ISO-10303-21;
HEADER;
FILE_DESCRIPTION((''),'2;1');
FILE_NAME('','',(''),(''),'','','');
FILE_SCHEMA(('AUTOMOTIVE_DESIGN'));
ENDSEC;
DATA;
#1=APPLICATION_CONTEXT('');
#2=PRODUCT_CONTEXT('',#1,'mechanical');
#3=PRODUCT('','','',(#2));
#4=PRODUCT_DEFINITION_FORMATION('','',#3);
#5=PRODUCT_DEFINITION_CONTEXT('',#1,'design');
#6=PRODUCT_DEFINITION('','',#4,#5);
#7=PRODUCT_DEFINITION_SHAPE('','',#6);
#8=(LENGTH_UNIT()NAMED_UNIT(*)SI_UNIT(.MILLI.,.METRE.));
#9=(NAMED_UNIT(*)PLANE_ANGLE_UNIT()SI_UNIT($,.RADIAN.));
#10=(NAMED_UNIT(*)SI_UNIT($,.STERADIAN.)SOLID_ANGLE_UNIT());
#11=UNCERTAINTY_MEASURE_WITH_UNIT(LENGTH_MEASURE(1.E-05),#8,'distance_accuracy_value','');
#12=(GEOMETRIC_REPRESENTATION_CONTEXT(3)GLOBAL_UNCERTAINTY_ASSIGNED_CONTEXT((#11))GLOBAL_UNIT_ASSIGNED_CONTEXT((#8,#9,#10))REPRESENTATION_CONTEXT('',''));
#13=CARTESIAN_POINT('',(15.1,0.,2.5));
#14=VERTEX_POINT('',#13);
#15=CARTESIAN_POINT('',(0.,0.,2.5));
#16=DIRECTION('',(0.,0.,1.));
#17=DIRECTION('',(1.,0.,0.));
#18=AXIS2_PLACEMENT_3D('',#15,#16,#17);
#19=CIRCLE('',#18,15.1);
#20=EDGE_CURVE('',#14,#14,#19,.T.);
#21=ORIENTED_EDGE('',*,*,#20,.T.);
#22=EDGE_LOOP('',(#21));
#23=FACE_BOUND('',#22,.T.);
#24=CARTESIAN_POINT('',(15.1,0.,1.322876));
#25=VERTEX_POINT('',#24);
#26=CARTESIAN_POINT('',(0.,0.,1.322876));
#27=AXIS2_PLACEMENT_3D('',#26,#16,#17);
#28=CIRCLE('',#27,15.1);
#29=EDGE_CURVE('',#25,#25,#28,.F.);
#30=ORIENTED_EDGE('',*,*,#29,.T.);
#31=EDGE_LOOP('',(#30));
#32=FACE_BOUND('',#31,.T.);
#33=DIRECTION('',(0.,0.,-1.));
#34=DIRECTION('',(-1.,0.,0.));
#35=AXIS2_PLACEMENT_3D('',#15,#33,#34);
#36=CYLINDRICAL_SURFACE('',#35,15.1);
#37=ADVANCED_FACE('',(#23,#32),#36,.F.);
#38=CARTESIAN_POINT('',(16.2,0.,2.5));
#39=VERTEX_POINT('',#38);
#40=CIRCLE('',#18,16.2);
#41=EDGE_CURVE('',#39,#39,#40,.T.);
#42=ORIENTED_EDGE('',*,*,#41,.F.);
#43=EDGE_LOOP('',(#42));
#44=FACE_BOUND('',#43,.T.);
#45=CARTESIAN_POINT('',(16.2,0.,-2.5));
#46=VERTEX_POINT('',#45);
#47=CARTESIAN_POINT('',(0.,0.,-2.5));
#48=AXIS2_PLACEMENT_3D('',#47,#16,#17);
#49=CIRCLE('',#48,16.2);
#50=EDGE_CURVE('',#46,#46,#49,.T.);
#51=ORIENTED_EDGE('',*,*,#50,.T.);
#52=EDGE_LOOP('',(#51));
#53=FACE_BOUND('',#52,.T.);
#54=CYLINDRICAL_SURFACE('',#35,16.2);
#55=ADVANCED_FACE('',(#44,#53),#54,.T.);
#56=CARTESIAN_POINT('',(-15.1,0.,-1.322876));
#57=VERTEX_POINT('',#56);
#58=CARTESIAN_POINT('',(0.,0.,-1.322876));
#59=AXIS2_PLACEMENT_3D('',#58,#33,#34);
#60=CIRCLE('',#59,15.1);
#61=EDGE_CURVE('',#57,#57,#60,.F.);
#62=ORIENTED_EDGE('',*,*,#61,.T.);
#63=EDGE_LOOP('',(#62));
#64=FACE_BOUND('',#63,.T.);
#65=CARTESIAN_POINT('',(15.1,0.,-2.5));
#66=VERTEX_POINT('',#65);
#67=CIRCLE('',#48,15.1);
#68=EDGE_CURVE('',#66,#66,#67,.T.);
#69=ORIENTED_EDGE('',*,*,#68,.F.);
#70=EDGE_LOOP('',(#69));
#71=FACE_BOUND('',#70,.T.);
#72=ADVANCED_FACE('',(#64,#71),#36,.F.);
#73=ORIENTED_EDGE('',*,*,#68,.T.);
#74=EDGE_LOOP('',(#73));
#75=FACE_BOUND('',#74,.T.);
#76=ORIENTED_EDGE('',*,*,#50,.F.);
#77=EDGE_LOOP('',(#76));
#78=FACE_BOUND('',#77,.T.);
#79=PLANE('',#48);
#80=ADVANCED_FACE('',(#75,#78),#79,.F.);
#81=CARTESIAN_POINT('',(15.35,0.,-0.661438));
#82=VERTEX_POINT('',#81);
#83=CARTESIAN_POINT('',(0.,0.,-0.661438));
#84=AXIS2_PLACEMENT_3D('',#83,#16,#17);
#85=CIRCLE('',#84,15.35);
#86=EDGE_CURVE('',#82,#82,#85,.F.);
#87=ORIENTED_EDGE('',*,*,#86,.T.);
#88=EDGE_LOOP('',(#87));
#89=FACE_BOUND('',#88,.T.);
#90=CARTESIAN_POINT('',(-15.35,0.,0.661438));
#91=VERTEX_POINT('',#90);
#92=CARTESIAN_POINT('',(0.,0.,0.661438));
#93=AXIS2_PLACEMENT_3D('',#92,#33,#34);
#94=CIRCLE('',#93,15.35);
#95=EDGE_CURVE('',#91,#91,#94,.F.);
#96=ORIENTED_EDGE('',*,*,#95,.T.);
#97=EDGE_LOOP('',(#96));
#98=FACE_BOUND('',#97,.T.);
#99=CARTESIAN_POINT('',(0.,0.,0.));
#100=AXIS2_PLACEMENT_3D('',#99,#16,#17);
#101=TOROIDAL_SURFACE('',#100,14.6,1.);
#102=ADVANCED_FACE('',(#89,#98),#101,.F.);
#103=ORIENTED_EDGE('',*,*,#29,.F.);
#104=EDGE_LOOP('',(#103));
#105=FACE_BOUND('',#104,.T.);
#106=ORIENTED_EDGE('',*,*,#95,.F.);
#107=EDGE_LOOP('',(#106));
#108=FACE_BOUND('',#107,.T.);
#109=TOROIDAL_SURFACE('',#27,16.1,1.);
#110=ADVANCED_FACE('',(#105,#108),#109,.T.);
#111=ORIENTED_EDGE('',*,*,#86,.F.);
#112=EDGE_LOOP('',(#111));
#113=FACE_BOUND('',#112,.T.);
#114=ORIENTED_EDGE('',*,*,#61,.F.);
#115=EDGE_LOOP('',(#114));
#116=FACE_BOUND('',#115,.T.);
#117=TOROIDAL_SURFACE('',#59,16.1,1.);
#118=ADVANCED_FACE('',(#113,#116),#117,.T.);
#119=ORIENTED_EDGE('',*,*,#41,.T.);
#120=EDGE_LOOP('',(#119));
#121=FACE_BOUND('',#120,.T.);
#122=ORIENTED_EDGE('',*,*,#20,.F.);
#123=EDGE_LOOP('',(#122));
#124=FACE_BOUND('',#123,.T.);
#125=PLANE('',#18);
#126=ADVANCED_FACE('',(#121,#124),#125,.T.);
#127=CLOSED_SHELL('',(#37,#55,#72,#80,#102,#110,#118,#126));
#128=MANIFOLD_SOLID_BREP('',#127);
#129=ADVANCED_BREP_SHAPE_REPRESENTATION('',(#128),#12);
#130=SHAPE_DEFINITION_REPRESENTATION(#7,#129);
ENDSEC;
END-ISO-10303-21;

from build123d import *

# Parameters (mm, degrees)
SKETCH_1_R      = 16.2
SKETCH_1_R_2    = 15.1
EXTRUDE_1_DEPTH = 2.5
SKETCH_3_R      = 1
FILLET_1_R      = 1


with BuildPart() as part:
    # 草图1 → 凸台-拉伸1 (new body, symmetric)
    with BuildSketch(Plane.XY):
        Circle(SKETCH_1_R)
        Circle(SKETCH_1_R_2, mode=Mode.SUBTRACT)
    extrude(amount=EXTRUDE_1_DEPTH, both=True)

    # 草图3 → 切除-旋转1 (revolve, cut)
    with BuildSketch(Plane(origin=(0, 0, 0), x_dir=(1, 0, 0), z_dir=(0, 1, 0))):
        with Locations((-14.6, 0)):
            Circle(SKETCH_3_R)
    revolve(axis=Axis((0, 0, 2.5), (0, 0, -1)), mode=Mode.SUBTRACT)

    # 圆角1
    fillet_1_edges = [part.edges().sort_by_distance(p)[0] for p in [
        (0, 15.1, 0.866025404),
        (0, -15.1, -0.866025404),
    ]]
    fillet(fillet_1_edges, radius=FILLET_1_R)


solid = part.part
